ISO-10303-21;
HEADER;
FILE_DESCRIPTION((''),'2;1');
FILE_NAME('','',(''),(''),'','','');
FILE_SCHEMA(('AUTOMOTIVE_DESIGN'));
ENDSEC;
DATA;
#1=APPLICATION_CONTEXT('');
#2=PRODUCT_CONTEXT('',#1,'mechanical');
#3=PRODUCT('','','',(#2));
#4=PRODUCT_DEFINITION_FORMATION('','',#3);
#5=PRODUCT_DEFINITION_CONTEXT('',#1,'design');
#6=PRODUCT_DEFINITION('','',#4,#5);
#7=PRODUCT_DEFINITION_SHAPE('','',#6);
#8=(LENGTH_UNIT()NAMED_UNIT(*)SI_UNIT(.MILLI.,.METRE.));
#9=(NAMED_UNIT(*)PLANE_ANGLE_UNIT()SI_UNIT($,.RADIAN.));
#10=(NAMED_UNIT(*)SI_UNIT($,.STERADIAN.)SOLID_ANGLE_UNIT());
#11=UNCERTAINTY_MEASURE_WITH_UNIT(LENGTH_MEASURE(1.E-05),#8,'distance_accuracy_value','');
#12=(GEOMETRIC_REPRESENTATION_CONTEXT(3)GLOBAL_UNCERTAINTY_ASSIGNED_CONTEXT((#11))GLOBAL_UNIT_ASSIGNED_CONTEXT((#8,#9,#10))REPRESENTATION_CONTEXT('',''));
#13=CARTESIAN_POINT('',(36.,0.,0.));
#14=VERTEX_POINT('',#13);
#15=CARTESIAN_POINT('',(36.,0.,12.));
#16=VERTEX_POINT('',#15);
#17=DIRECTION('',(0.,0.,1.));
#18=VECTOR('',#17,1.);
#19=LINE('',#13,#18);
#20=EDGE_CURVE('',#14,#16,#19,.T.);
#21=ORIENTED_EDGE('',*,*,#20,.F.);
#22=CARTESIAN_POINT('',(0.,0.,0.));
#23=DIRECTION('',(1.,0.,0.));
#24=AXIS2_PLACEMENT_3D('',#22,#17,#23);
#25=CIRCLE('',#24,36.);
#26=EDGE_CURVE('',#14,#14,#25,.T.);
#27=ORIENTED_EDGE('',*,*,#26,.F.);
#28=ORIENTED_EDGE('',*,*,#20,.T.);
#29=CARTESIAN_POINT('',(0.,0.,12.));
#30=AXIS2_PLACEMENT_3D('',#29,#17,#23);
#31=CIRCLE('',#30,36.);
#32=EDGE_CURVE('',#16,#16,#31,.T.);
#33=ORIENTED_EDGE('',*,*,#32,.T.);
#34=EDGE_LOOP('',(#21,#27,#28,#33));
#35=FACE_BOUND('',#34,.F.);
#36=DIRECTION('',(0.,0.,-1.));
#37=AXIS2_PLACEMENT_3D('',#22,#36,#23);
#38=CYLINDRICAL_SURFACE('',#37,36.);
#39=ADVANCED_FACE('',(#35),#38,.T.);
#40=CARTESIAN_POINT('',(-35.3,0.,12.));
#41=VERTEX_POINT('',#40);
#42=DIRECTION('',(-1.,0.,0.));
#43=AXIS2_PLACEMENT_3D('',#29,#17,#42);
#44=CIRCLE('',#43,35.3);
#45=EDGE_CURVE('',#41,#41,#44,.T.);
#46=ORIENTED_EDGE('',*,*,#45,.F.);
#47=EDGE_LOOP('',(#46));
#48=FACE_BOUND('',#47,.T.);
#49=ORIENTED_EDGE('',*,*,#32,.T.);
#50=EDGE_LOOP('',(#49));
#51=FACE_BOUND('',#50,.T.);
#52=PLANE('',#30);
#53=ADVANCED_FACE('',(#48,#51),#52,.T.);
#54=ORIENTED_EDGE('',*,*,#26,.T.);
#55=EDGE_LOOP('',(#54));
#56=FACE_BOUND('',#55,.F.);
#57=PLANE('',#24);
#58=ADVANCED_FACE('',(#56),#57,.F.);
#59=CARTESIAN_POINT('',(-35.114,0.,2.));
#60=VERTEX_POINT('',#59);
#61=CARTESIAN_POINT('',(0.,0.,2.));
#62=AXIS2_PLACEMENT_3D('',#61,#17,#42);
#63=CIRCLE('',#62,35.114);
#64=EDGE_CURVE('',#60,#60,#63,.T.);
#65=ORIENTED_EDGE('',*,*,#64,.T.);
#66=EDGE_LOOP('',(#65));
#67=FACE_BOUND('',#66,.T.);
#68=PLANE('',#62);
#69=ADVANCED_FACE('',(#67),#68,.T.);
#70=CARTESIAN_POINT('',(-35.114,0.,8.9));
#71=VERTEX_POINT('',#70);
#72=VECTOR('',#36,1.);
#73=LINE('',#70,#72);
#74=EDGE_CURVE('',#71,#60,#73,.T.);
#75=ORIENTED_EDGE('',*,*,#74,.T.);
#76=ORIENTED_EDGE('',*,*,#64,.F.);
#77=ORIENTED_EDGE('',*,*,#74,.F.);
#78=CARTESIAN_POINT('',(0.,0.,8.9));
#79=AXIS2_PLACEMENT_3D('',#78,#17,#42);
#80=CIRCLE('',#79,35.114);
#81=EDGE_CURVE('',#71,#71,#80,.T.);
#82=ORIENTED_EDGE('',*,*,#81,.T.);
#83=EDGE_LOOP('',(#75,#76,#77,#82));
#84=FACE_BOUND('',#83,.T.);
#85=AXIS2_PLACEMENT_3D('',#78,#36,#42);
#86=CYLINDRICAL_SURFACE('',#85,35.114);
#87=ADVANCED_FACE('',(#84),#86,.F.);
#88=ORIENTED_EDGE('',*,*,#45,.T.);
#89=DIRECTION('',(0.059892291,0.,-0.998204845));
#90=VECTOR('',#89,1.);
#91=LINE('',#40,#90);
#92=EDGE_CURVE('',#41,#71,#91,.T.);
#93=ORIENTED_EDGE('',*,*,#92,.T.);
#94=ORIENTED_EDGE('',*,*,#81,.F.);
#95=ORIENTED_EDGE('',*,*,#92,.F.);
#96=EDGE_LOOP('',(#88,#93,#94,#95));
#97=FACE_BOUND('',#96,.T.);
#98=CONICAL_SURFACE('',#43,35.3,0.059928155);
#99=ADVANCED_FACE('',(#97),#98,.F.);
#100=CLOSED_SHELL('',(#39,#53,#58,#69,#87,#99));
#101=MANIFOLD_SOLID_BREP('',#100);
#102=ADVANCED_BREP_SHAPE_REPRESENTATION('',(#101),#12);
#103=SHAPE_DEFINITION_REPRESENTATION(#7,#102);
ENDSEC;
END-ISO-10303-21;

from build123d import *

# Parameters (mm, degrees)
F0_R     = 36
F1_DEPTH = 12


with BuildPart() as f1:
    # F0 (on Top) → F1 (new body)
    with BuildSketch(Plane.XY):
        Circle(F0_R)
    extrude(amount=F1_DEPTH)

    # F3 (on Front) → F4 (revolve, cut)
    with BuildSketch(Plane.XZ):
        Polygon((-35.114, 8.9), (-35.114, 2), (0, 2), (0, 12), (-35.3, 12), align=None)
    revolve(axis=Axis((0, 0, 7), (0, 0, 1)), mode=Mode.SUBTRACT)


solid = f1.part
